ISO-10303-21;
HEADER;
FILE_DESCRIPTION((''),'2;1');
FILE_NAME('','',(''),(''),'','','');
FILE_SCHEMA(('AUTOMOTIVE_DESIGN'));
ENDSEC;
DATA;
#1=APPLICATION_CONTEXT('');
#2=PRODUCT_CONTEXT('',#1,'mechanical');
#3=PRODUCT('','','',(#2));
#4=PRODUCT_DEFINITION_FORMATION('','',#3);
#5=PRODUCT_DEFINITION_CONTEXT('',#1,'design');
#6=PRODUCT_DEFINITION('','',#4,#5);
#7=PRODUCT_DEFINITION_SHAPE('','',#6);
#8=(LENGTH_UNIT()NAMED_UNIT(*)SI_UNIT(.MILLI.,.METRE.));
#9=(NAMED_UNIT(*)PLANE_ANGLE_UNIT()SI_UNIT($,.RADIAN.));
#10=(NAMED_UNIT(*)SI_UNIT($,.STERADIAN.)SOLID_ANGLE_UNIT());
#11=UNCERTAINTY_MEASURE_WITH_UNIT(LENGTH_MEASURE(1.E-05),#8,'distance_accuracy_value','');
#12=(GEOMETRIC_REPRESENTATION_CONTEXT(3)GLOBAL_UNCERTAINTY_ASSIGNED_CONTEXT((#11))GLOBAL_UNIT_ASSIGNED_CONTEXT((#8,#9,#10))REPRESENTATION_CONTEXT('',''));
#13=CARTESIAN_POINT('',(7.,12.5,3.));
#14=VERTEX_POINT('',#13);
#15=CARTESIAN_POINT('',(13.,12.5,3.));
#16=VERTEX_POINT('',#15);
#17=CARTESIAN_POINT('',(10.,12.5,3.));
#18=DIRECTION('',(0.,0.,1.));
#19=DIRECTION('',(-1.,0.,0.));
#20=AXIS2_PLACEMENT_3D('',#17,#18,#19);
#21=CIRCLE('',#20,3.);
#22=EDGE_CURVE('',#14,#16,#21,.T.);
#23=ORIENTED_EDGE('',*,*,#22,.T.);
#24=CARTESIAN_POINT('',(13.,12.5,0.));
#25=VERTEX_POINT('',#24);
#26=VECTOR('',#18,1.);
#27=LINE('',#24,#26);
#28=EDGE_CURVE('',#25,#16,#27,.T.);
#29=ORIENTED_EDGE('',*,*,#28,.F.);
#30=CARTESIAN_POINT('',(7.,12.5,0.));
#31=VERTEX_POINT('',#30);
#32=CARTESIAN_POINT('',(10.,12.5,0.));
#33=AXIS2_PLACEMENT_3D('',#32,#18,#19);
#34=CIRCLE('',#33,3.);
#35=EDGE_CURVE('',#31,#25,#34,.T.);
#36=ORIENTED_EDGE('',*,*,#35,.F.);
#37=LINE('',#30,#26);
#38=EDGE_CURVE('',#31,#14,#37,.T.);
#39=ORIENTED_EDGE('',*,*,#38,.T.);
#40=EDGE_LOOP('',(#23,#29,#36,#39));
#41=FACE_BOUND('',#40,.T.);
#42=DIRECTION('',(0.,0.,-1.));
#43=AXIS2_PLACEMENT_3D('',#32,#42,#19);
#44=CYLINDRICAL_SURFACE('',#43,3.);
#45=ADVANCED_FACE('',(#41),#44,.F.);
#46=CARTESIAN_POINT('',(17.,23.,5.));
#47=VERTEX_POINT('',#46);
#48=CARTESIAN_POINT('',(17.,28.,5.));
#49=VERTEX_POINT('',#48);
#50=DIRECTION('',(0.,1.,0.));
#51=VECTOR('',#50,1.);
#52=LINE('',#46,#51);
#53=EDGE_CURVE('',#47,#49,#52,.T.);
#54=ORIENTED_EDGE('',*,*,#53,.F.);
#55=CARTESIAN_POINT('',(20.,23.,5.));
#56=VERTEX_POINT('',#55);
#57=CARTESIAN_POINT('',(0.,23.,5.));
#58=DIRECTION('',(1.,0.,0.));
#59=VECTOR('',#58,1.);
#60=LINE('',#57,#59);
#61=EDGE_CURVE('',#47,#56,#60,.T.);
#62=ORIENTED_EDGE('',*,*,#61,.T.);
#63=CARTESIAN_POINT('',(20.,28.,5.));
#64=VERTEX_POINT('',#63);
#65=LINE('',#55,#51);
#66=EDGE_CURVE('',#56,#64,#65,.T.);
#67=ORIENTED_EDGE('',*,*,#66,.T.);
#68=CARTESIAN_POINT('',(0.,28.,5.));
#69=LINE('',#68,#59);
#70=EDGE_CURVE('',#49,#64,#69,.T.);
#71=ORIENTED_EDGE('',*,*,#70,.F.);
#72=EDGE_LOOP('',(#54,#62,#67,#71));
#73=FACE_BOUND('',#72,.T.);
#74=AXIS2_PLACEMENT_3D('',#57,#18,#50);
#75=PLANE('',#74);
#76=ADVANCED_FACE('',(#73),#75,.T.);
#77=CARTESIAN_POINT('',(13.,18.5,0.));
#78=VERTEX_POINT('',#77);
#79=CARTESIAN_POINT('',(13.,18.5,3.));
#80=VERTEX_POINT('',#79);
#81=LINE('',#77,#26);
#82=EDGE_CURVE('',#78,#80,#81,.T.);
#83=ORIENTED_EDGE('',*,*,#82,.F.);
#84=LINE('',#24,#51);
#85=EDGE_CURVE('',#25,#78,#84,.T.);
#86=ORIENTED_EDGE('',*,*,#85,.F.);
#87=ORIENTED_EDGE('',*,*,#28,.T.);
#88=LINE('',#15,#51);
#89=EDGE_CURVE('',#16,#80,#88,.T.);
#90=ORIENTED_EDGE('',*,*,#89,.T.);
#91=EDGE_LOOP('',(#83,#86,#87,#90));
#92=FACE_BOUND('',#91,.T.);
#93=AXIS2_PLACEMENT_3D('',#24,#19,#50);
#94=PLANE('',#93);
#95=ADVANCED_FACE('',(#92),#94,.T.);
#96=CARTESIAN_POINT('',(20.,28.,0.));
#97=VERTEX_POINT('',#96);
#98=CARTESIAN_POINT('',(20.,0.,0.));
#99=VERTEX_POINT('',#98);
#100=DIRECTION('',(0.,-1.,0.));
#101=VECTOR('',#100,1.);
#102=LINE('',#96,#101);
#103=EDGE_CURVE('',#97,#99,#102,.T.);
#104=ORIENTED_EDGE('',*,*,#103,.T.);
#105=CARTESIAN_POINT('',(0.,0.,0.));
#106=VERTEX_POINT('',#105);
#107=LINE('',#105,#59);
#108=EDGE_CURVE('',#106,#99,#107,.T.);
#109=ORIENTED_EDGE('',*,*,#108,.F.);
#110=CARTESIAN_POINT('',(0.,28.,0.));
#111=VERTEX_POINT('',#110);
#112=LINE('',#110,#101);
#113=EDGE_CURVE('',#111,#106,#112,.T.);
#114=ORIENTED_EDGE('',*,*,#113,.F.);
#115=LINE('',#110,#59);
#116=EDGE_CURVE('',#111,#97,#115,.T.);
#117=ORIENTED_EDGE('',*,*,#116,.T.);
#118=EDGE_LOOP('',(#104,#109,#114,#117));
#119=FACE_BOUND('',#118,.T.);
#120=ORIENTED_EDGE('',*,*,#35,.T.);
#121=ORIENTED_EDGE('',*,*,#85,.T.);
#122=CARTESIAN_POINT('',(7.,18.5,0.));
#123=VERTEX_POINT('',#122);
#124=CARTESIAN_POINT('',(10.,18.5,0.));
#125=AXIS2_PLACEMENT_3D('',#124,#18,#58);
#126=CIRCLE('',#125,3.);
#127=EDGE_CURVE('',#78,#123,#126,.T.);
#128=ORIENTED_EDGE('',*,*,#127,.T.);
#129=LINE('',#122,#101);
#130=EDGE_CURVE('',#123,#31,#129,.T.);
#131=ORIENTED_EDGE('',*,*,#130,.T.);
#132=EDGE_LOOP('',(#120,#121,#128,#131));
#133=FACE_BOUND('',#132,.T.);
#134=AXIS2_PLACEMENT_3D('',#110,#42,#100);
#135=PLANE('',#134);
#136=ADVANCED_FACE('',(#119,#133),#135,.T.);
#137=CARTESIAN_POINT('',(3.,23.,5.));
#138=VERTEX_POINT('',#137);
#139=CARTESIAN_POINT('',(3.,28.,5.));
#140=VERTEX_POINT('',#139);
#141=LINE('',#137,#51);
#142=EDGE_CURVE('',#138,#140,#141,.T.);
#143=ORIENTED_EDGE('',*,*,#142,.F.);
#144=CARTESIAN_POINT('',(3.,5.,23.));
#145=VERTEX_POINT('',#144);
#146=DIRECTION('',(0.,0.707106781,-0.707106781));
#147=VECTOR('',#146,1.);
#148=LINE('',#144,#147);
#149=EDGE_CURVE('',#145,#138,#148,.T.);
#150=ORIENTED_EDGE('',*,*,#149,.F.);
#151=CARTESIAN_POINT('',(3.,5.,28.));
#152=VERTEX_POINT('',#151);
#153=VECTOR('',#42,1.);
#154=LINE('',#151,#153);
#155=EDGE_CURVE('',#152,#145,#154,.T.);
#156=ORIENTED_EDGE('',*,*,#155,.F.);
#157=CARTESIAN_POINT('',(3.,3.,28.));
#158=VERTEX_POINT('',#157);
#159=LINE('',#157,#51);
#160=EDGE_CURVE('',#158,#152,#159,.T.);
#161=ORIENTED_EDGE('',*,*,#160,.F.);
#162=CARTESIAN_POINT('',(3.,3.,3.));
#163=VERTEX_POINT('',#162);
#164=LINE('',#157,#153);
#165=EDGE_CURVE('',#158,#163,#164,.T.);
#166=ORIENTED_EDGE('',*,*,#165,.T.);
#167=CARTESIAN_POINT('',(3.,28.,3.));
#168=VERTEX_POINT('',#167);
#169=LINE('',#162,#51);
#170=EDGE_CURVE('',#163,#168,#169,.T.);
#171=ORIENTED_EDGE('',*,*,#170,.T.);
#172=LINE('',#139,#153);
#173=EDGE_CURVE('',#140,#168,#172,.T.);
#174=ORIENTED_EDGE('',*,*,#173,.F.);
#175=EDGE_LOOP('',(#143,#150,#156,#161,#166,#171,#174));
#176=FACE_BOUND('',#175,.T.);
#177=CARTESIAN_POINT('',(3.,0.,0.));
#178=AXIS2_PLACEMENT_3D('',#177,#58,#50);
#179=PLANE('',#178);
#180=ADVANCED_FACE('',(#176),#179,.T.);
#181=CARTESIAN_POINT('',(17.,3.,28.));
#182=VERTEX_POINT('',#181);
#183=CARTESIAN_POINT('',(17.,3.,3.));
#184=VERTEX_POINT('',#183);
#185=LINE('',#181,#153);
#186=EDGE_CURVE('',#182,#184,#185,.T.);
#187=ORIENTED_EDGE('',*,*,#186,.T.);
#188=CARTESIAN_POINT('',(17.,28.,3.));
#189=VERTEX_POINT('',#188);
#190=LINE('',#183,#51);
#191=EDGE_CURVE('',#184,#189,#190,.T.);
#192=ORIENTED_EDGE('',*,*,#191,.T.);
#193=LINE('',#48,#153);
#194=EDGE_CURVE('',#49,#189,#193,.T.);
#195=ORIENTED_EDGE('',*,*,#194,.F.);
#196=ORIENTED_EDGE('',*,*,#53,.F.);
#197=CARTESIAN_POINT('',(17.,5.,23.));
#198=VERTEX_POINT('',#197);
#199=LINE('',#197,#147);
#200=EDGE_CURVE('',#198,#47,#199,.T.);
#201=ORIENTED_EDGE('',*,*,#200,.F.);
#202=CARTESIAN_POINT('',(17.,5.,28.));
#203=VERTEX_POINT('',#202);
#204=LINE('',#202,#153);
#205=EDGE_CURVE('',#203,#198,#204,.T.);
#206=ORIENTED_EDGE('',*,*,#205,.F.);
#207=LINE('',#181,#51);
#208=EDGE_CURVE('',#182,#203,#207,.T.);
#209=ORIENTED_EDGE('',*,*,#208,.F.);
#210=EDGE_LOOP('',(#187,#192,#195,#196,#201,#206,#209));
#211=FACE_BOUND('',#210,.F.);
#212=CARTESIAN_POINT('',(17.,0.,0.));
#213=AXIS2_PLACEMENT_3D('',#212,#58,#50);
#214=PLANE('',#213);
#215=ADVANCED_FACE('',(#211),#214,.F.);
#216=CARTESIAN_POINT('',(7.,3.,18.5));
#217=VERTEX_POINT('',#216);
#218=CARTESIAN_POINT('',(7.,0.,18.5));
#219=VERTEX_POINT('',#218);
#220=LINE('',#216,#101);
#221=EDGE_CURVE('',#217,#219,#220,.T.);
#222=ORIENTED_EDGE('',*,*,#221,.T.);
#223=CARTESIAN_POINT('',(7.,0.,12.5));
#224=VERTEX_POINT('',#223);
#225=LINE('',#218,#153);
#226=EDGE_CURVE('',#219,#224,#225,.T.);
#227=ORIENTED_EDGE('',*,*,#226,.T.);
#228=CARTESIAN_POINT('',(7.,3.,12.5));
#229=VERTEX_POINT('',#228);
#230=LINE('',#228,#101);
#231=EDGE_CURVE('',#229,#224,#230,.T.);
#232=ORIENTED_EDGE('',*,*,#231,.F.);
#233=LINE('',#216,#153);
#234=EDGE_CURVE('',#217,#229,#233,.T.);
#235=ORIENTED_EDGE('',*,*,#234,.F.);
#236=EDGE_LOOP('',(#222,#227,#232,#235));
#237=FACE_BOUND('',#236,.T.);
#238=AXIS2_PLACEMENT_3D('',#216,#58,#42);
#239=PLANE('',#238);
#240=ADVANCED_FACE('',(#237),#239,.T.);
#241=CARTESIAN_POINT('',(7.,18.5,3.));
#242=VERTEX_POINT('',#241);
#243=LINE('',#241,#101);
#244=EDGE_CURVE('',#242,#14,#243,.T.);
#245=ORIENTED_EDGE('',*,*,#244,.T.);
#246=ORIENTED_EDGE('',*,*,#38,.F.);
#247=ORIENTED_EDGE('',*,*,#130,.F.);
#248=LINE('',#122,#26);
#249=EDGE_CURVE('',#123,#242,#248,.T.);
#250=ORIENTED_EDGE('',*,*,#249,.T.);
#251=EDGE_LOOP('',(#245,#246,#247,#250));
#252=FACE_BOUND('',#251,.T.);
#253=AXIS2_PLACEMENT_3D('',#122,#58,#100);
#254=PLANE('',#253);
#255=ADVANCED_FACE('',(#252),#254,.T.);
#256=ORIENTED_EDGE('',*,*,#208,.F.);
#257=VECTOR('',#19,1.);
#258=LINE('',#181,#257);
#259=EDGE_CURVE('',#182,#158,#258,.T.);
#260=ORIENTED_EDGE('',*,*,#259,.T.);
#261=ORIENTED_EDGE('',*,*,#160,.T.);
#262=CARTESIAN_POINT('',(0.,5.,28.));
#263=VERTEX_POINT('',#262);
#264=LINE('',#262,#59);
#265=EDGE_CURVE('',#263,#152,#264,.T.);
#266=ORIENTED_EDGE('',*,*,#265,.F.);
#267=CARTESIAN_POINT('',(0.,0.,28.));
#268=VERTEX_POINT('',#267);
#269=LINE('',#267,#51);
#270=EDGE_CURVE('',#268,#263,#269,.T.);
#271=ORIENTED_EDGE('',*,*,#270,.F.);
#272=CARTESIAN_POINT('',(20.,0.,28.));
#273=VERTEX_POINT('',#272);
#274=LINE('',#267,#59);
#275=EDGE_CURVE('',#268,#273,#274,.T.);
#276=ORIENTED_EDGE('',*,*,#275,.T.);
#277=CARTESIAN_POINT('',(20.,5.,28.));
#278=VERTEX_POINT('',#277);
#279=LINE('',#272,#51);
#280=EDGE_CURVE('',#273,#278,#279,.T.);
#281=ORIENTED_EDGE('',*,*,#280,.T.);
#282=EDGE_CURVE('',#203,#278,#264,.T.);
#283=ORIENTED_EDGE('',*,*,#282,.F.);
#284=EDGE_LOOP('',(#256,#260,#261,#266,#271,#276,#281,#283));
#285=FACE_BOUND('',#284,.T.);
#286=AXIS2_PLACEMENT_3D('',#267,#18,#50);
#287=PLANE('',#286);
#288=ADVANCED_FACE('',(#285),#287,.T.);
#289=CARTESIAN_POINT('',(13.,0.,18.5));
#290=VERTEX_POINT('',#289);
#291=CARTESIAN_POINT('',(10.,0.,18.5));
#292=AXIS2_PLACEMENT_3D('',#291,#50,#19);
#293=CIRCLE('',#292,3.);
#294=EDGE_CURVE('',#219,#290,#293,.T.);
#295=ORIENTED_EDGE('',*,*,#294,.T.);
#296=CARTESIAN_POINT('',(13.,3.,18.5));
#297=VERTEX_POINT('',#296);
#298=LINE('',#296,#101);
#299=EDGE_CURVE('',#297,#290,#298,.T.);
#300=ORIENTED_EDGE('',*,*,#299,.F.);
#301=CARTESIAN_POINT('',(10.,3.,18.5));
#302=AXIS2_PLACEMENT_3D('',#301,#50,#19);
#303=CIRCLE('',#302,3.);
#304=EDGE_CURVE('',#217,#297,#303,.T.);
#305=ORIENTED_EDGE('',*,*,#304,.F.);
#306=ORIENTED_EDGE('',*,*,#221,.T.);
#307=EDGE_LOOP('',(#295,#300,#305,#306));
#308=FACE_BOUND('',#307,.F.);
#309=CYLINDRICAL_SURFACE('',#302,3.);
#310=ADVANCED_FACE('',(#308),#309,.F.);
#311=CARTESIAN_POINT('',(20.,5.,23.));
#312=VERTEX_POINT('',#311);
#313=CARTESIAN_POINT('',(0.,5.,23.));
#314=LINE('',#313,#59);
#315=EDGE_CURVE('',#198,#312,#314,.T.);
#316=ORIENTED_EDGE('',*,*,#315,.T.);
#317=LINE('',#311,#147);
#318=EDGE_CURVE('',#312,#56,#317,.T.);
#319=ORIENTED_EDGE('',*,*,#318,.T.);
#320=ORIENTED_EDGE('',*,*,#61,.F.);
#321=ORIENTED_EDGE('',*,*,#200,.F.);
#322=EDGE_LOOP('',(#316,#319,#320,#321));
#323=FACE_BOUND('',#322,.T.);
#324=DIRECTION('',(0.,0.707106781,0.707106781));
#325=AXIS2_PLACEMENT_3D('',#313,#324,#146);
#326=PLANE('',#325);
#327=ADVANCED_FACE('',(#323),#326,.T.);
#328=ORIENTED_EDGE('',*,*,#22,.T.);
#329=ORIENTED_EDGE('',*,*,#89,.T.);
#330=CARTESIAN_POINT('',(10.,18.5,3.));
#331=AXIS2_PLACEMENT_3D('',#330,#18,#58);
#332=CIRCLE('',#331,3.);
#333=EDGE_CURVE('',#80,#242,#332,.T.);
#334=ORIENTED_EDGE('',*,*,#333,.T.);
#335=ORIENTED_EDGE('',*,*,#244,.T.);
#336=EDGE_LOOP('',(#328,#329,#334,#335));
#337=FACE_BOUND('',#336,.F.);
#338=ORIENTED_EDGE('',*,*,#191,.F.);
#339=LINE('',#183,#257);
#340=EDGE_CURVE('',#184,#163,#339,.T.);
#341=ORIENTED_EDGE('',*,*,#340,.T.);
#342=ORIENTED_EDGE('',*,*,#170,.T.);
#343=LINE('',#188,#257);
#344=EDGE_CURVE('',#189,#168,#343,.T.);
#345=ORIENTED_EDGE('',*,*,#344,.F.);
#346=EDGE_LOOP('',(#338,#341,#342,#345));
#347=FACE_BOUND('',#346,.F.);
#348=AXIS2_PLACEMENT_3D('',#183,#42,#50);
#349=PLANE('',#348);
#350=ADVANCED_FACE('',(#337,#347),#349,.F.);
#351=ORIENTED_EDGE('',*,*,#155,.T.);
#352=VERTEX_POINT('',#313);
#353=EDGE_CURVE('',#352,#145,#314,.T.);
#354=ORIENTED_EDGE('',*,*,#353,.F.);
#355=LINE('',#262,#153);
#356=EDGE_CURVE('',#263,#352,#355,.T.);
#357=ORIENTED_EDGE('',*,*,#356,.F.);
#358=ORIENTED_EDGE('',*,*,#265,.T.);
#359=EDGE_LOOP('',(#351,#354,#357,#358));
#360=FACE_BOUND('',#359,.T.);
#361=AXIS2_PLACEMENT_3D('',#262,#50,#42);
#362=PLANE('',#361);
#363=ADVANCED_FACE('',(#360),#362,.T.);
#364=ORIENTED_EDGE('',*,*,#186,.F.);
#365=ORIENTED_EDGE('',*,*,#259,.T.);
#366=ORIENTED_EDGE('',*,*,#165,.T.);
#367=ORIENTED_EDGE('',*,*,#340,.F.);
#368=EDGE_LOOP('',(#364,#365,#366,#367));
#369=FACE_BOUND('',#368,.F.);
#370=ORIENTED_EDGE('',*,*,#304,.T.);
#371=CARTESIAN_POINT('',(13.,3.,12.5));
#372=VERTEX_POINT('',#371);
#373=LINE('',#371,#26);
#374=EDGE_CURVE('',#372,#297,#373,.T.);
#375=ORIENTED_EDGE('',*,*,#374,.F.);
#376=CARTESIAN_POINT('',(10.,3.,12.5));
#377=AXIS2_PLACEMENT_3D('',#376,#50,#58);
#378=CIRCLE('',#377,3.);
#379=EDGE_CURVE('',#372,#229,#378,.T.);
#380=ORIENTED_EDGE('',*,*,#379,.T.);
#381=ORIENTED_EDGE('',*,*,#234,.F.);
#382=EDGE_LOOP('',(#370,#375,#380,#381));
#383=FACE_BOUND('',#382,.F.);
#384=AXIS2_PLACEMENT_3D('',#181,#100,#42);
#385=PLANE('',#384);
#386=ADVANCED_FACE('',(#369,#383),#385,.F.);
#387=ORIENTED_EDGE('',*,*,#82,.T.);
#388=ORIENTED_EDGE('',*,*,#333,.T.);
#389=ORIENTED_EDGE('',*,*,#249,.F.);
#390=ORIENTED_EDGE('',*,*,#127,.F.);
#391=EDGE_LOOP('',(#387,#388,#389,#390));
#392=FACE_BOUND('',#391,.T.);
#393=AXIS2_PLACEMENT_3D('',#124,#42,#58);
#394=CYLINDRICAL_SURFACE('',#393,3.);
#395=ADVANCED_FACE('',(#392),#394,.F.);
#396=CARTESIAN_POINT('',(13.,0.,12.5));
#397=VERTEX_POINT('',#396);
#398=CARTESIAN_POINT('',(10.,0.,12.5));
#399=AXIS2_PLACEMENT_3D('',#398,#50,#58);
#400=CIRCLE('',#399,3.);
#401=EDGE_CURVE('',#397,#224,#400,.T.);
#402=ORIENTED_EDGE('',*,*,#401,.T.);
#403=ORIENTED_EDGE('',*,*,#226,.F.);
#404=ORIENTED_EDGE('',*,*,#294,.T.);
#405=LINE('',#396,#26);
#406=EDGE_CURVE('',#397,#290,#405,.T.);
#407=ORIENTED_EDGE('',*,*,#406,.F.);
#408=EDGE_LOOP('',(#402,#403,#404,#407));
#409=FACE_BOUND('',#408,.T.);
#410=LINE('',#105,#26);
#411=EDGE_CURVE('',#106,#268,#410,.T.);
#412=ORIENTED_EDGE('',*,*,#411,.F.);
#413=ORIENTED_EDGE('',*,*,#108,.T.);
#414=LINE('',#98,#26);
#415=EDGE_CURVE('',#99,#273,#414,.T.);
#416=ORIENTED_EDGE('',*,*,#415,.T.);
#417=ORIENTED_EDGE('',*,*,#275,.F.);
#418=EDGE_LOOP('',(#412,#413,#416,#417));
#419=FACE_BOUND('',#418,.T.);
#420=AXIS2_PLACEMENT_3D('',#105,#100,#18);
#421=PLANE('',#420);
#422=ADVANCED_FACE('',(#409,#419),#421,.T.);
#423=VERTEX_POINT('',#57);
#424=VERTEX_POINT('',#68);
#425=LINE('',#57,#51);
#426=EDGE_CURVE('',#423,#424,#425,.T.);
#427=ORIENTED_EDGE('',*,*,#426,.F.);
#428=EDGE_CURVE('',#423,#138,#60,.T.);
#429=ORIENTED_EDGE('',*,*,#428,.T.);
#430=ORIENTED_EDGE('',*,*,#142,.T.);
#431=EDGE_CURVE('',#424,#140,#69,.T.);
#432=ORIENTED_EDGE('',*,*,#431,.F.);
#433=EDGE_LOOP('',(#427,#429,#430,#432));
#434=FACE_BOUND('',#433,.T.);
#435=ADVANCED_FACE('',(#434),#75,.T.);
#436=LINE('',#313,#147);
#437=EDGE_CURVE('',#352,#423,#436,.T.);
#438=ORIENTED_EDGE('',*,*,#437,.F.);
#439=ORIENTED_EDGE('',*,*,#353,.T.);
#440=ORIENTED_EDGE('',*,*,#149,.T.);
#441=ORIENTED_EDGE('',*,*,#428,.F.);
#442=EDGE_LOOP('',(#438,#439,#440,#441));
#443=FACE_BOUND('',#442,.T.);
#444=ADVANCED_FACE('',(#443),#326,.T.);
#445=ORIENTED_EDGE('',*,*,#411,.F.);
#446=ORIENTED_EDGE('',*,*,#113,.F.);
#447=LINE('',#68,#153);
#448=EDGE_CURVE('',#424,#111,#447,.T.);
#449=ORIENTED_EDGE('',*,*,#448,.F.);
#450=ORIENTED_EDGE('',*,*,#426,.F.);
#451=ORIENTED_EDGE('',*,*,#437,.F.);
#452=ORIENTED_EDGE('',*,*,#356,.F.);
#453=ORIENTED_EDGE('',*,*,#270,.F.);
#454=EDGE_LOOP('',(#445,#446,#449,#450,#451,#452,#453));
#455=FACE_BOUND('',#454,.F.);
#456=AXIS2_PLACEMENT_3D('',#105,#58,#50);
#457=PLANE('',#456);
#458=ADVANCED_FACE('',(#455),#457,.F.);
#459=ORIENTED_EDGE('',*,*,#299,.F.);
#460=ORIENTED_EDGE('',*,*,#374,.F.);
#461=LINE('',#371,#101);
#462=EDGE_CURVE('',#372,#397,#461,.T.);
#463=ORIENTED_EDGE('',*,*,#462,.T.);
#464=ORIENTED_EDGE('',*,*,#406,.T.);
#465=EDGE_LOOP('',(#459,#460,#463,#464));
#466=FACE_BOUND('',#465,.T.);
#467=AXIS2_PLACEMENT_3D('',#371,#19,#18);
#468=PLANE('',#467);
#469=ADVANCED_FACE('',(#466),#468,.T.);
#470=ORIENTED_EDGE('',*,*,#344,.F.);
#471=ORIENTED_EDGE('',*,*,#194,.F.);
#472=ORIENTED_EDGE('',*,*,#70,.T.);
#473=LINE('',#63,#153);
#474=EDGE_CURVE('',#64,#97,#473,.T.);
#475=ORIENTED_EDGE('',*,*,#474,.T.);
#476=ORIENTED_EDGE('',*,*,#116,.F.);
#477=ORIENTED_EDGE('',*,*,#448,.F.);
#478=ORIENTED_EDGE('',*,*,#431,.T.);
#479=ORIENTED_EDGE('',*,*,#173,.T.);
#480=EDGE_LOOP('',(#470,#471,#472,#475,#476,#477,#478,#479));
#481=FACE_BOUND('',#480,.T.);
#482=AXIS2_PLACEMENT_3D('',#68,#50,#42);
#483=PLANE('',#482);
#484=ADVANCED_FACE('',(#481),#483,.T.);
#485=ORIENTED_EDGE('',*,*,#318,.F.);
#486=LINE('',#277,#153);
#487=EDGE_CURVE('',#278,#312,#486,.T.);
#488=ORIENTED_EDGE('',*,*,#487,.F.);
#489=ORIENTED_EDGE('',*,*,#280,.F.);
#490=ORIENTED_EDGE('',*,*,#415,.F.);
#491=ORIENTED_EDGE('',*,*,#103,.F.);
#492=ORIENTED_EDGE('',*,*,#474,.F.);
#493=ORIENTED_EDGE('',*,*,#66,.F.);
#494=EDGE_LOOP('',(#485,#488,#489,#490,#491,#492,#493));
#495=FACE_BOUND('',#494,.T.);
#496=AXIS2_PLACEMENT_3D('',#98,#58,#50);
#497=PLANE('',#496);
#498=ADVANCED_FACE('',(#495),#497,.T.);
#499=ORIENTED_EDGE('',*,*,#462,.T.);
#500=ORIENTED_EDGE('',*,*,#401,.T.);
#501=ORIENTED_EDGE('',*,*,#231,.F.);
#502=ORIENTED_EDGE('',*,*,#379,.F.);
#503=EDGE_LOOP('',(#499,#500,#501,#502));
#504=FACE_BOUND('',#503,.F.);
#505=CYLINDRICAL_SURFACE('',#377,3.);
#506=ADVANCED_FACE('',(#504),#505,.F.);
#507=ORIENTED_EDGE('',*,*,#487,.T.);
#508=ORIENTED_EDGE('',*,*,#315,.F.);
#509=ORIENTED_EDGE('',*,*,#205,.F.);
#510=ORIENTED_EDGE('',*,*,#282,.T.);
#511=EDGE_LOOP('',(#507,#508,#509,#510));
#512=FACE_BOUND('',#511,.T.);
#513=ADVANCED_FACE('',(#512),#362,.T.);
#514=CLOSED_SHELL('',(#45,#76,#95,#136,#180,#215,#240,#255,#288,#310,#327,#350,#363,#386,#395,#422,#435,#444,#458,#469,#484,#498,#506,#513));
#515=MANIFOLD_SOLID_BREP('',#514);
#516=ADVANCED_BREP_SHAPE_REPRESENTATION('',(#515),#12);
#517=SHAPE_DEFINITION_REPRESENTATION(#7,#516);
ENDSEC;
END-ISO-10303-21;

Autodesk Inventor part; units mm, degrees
ref_plane "XZ Plane" through (0, 0, 0) normal (0, 1, 0) x (-1, 0, 0)
ref_plane "XY Plane" through (0, 0, 0) normal (0, 0, 1) x (1, 0, 0)
sketch "Sketch1" plane through (0, 0, 0) normal (1, 0, 0) x (0, 1, 0)
  line L0 (28, 5) -> (28, 0)
  line L1 (5, 23) -> (23, 5)
  line L2 (5, 28) -> (5, 23)
  line L3 (0, 0) -> (0, 28)
  line L4 (23, 5) -> (28, 5)
  line L5 (0, 28) -> (5, 28)
  line L6 (28, 0) -> (0, 0)
extrude "Extrusion4" add sketch "Sketch1" along normal blind 20
ref_plane "Work Plane1" through (17, 0, 0) normal (1, 0, 0) x (0, 1, 0)
sketch "Sketch2" plane through (17, 0, 0) normal (1, 0, 0) x (0, 1, 0)
  line L0 (3, 28) -> (3, 3)
  line L1 (5, 23) -> (23, 5)
  line L2 (3, 28) -> (5, 28)
  line L3 (23, 5) -> (28, 5)
  line L4 (3, 3) -> (28, 3)
  line L5 (5, 28) -> (5, 23)
  line L6 (28, 5) -> (28, 3)
extrude "Extrusion3" cut sketch "Sketch2" against normal blind 14
sketch "Sketch3" plane through (17, 3, 28) normal (0, 1, 0) x (1, 0, 0)
  arc A0 (-10, 9.5) -> (-4, 9.5) centre (-7, 9.5) ccw
  line L0 (-10, 9.5) -> (-10, 15.5)
  arc A1 (-4, 15.5) -> (-10, 15.5) centre (-7, 15.5) ccw
  line L1 (-4, 15.5) -> (-4, 9.5)
extrude "Extrusion2" cut sketch "Sketch3" against normal blind 3
sketch "Sketch4" plane through (0, 0, 0) normal (0, 0, 1) x (1, 0, 0)
  arc A0 (13, 18.5) -> (7, 18.5) centre (10, 18.5) ccw
  arc A1 (7, 12.5) -> (13, 12.5) centre (10, 12.5) ccw
  line L0 (13, 12.5) -> (13, 18.5)
  line L1 (7, 18.5) -> (7, 12.5)
extrude "Extrusion1" cut sketch "Sketch4" along normal blind 3 draft 0
properties part number "Corner Connector"
